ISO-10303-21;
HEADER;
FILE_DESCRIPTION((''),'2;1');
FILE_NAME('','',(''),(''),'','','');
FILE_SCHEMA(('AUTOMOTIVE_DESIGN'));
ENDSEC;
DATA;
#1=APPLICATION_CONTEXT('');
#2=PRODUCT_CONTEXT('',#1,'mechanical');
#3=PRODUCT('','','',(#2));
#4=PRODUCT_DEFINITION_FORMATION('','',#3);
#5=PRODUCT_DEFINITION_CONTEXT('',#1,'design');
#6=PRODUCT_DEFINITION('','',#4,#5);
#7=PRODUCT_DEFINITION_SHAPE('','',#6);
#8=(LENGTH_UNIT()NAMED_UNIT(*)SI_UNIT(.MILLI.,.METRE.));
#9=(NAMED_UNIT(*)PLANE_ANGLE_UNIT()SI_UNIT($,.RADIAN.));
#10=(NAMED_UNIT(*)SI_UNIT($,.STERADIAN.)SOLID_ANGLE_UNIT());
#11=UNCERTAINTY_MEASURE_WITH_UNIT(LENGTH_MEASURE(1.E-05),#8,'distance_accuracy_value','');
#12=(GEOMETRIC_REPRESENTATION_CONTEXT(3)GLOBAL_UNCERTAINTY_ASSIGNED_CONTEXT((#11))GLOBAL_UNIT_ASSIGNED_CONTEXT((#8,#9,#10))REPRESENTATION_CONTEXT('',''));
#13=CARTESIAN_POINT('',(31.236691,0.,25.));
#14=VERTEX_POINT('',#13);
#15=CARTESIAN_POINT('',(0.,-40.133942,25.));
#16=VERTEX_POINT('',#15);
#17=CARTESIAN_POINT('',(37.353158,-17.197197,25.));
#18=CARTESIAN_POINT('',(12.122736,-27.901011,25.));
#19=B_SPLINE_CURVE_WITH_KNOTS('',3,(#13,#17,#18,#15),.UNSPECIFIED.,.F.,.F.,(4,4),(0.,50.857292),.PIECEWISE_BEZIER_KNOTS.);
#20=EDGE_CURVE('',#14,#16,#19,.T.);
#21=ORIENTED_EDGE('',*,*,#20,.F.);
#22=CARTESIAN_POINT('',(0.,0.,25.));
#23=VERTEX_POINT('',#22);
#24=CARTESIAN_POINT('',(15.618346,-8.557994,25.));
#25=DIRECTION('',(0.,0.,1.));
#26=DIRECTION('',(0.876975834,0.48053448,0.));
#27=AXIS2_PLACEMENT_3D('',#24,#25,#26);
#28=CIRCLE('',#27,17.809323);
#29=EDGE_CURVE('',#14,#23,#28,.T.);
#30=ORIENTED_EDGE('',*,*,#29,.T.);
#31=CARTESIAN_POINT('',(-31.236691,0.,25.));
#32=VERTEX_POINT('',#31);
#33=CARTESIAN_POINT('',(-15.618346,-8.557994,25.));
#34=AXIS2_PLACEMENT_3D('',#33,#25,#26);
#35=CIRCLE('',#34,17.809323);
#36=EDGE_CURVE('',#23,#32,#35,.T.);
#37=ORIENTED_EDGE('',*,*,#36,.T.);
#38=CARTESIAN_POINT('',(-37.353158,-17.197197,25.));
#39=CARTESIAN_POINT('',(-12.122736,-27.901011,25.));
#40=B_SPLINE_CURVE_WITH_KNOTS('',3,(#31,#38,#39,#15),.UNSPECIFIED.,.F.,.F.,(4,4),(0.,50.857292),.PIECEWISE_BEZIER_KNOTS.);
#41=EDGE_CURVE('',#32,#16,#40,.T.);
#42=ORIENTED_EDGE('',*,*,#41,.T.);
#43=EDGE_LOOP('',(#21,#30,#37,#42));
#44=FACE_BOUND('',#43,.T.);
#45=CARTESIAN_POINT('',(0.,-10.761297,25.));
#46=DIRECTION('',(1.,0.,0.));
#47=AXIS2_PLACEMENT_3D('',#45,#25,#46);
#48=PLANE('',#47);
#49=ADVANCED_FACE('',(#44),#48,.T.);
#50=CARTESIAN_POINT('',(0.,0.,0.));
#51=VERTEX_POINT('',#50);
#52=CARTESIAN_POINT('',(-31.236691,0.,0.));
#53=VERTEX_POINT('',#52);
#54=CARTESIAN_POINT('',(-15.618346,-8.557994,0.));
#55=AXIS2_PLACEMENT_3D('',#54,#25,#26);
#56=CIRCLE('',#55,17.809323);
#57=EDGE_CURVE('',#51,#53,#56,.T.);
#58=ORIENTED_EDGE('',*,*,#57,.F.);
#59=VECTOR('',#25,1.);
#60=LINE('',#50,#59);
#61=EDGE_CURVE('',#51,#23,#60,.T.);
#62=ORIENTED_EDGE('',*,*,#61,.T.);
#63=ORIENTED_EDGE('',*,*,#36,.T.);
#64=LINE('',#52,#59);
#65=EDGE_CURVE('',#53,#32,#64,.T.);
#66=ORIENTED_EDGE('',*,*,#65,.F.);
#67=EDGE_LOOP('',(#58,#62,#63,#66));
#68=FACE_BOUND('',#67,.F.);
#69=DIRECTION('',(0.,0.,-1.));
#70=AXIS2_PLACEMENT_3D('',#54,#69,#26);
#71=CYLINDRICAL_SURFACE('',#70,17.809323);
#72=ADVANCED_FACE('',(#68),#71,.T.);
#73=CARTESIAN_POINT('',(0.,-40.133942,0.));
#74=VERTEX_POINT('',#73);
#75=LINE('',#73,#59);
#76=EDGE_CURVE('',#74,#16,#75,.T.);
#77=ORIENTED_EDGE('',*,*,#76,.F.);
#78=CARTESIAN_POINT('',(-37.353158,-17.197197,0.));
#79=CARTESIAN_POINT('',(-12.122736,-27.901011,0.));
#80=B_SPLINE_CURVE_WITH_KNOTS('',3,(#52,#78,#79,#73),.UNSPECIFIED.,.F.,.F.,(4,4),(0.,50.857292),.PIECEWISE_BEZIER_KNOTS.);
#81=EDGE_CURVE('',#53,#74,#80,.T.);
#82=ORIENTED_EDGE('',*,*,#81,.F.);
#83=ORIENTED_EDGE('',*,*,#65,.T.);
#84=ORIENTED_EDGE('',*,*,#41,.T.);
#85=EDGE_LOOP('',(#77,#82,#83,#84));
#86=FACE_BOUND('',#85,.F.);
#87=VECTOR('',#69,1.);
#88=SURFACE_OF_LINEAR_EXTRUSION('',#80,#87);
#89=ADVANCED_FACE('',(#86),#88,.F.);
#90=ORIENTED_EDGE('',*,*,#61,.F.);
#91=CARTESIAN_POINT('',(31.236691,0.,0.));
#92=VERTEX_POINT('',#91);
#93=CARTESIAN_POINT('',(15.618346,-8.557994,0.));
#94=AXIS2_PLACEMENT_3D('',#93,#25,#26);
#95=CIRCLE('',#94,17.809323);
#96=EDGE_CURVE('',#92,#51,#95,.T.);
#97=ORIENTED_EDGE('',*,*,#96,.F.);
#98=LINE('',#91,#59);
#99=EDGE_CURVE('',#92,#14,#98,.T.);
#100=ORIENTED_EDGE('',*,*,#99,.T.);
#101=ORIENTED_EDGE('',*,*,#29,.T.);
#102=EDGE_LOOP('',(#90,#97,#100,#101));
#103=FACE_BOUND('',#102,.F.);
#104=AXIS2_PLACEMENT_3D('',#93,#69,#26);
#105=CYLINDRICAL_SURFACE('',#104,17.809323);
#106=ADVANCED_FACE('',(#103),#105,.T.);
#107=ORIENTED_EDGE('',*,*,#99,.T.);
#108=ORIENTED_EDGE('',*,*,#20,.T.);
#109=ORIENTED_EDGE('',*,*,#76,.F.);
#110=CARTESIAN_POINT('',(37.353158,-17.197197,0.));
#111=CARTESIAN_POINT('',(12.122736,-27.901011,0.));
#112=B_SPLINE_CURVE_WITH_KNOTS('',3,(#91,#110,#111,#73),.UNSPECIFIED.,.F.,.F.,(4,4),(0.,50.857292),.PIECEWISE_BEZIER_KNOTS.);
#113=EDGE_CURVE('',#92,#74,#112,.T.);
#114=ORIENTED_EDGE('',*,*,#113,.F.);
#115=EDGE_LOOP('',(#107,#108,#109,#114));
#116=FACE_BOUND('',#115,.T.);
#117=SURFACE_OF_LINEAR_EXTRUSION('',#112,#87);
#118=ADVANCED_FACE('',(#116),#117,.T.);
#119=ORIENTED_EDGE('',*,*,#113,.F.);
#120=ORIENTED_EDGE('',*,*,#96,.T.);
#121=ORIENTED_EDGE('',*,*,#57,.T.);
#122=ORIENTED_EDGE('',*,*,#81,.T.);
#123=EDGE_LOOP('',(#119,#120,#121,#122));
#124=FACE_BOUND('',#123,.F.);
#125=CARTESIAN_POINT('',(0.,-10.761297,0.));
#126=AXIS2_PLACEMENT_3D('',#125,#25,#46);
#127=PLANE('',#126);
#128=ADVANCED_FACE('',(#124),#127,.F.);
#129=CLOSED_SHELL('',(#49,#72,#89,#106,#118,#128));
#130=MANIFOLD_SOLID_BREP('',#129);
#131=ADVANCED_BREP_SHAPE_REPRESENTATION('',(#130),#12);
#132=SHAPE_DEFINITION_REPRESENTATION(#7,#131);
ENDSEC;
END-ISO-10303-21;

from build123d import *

# Parameters (mm, degrees)
F1_DEPTH = 25


with BuildPart() as f1:
    # F0 (on Top) → F1 (new body)
    with BuildSketch(Plane.XY):
        with BuildLine():
            ThreePointArc((31.236691, 0), (15.618346, 9.251329), (0, 0))
            ThreePointArc((0, 0), (-15.618346, 9.251329), (-31.236691, 0))
            add(Edge.make_bspline(
                [(-31.236691, 0), (-37.353158, -17.197197), (-12.122736, -27.901011), (0, -40.133942)],
                knots=[0, 0, 0, 0, 50.857292, 50.857292, 50.857292, 50.857292], degree=3))
            add(Edge.make_bspline(
                [(31.236691, 0), (37.353158, -17.197197), (12.122736, -27.901011), (0, -40.133942)],
                knots=[0, 0, 0, 0, 50.857292, 50.857292, 50.857292, 50.857292], degree=3))
        make_face()
    extrude(amount=F1_DEPTH)


solid = f1.part
